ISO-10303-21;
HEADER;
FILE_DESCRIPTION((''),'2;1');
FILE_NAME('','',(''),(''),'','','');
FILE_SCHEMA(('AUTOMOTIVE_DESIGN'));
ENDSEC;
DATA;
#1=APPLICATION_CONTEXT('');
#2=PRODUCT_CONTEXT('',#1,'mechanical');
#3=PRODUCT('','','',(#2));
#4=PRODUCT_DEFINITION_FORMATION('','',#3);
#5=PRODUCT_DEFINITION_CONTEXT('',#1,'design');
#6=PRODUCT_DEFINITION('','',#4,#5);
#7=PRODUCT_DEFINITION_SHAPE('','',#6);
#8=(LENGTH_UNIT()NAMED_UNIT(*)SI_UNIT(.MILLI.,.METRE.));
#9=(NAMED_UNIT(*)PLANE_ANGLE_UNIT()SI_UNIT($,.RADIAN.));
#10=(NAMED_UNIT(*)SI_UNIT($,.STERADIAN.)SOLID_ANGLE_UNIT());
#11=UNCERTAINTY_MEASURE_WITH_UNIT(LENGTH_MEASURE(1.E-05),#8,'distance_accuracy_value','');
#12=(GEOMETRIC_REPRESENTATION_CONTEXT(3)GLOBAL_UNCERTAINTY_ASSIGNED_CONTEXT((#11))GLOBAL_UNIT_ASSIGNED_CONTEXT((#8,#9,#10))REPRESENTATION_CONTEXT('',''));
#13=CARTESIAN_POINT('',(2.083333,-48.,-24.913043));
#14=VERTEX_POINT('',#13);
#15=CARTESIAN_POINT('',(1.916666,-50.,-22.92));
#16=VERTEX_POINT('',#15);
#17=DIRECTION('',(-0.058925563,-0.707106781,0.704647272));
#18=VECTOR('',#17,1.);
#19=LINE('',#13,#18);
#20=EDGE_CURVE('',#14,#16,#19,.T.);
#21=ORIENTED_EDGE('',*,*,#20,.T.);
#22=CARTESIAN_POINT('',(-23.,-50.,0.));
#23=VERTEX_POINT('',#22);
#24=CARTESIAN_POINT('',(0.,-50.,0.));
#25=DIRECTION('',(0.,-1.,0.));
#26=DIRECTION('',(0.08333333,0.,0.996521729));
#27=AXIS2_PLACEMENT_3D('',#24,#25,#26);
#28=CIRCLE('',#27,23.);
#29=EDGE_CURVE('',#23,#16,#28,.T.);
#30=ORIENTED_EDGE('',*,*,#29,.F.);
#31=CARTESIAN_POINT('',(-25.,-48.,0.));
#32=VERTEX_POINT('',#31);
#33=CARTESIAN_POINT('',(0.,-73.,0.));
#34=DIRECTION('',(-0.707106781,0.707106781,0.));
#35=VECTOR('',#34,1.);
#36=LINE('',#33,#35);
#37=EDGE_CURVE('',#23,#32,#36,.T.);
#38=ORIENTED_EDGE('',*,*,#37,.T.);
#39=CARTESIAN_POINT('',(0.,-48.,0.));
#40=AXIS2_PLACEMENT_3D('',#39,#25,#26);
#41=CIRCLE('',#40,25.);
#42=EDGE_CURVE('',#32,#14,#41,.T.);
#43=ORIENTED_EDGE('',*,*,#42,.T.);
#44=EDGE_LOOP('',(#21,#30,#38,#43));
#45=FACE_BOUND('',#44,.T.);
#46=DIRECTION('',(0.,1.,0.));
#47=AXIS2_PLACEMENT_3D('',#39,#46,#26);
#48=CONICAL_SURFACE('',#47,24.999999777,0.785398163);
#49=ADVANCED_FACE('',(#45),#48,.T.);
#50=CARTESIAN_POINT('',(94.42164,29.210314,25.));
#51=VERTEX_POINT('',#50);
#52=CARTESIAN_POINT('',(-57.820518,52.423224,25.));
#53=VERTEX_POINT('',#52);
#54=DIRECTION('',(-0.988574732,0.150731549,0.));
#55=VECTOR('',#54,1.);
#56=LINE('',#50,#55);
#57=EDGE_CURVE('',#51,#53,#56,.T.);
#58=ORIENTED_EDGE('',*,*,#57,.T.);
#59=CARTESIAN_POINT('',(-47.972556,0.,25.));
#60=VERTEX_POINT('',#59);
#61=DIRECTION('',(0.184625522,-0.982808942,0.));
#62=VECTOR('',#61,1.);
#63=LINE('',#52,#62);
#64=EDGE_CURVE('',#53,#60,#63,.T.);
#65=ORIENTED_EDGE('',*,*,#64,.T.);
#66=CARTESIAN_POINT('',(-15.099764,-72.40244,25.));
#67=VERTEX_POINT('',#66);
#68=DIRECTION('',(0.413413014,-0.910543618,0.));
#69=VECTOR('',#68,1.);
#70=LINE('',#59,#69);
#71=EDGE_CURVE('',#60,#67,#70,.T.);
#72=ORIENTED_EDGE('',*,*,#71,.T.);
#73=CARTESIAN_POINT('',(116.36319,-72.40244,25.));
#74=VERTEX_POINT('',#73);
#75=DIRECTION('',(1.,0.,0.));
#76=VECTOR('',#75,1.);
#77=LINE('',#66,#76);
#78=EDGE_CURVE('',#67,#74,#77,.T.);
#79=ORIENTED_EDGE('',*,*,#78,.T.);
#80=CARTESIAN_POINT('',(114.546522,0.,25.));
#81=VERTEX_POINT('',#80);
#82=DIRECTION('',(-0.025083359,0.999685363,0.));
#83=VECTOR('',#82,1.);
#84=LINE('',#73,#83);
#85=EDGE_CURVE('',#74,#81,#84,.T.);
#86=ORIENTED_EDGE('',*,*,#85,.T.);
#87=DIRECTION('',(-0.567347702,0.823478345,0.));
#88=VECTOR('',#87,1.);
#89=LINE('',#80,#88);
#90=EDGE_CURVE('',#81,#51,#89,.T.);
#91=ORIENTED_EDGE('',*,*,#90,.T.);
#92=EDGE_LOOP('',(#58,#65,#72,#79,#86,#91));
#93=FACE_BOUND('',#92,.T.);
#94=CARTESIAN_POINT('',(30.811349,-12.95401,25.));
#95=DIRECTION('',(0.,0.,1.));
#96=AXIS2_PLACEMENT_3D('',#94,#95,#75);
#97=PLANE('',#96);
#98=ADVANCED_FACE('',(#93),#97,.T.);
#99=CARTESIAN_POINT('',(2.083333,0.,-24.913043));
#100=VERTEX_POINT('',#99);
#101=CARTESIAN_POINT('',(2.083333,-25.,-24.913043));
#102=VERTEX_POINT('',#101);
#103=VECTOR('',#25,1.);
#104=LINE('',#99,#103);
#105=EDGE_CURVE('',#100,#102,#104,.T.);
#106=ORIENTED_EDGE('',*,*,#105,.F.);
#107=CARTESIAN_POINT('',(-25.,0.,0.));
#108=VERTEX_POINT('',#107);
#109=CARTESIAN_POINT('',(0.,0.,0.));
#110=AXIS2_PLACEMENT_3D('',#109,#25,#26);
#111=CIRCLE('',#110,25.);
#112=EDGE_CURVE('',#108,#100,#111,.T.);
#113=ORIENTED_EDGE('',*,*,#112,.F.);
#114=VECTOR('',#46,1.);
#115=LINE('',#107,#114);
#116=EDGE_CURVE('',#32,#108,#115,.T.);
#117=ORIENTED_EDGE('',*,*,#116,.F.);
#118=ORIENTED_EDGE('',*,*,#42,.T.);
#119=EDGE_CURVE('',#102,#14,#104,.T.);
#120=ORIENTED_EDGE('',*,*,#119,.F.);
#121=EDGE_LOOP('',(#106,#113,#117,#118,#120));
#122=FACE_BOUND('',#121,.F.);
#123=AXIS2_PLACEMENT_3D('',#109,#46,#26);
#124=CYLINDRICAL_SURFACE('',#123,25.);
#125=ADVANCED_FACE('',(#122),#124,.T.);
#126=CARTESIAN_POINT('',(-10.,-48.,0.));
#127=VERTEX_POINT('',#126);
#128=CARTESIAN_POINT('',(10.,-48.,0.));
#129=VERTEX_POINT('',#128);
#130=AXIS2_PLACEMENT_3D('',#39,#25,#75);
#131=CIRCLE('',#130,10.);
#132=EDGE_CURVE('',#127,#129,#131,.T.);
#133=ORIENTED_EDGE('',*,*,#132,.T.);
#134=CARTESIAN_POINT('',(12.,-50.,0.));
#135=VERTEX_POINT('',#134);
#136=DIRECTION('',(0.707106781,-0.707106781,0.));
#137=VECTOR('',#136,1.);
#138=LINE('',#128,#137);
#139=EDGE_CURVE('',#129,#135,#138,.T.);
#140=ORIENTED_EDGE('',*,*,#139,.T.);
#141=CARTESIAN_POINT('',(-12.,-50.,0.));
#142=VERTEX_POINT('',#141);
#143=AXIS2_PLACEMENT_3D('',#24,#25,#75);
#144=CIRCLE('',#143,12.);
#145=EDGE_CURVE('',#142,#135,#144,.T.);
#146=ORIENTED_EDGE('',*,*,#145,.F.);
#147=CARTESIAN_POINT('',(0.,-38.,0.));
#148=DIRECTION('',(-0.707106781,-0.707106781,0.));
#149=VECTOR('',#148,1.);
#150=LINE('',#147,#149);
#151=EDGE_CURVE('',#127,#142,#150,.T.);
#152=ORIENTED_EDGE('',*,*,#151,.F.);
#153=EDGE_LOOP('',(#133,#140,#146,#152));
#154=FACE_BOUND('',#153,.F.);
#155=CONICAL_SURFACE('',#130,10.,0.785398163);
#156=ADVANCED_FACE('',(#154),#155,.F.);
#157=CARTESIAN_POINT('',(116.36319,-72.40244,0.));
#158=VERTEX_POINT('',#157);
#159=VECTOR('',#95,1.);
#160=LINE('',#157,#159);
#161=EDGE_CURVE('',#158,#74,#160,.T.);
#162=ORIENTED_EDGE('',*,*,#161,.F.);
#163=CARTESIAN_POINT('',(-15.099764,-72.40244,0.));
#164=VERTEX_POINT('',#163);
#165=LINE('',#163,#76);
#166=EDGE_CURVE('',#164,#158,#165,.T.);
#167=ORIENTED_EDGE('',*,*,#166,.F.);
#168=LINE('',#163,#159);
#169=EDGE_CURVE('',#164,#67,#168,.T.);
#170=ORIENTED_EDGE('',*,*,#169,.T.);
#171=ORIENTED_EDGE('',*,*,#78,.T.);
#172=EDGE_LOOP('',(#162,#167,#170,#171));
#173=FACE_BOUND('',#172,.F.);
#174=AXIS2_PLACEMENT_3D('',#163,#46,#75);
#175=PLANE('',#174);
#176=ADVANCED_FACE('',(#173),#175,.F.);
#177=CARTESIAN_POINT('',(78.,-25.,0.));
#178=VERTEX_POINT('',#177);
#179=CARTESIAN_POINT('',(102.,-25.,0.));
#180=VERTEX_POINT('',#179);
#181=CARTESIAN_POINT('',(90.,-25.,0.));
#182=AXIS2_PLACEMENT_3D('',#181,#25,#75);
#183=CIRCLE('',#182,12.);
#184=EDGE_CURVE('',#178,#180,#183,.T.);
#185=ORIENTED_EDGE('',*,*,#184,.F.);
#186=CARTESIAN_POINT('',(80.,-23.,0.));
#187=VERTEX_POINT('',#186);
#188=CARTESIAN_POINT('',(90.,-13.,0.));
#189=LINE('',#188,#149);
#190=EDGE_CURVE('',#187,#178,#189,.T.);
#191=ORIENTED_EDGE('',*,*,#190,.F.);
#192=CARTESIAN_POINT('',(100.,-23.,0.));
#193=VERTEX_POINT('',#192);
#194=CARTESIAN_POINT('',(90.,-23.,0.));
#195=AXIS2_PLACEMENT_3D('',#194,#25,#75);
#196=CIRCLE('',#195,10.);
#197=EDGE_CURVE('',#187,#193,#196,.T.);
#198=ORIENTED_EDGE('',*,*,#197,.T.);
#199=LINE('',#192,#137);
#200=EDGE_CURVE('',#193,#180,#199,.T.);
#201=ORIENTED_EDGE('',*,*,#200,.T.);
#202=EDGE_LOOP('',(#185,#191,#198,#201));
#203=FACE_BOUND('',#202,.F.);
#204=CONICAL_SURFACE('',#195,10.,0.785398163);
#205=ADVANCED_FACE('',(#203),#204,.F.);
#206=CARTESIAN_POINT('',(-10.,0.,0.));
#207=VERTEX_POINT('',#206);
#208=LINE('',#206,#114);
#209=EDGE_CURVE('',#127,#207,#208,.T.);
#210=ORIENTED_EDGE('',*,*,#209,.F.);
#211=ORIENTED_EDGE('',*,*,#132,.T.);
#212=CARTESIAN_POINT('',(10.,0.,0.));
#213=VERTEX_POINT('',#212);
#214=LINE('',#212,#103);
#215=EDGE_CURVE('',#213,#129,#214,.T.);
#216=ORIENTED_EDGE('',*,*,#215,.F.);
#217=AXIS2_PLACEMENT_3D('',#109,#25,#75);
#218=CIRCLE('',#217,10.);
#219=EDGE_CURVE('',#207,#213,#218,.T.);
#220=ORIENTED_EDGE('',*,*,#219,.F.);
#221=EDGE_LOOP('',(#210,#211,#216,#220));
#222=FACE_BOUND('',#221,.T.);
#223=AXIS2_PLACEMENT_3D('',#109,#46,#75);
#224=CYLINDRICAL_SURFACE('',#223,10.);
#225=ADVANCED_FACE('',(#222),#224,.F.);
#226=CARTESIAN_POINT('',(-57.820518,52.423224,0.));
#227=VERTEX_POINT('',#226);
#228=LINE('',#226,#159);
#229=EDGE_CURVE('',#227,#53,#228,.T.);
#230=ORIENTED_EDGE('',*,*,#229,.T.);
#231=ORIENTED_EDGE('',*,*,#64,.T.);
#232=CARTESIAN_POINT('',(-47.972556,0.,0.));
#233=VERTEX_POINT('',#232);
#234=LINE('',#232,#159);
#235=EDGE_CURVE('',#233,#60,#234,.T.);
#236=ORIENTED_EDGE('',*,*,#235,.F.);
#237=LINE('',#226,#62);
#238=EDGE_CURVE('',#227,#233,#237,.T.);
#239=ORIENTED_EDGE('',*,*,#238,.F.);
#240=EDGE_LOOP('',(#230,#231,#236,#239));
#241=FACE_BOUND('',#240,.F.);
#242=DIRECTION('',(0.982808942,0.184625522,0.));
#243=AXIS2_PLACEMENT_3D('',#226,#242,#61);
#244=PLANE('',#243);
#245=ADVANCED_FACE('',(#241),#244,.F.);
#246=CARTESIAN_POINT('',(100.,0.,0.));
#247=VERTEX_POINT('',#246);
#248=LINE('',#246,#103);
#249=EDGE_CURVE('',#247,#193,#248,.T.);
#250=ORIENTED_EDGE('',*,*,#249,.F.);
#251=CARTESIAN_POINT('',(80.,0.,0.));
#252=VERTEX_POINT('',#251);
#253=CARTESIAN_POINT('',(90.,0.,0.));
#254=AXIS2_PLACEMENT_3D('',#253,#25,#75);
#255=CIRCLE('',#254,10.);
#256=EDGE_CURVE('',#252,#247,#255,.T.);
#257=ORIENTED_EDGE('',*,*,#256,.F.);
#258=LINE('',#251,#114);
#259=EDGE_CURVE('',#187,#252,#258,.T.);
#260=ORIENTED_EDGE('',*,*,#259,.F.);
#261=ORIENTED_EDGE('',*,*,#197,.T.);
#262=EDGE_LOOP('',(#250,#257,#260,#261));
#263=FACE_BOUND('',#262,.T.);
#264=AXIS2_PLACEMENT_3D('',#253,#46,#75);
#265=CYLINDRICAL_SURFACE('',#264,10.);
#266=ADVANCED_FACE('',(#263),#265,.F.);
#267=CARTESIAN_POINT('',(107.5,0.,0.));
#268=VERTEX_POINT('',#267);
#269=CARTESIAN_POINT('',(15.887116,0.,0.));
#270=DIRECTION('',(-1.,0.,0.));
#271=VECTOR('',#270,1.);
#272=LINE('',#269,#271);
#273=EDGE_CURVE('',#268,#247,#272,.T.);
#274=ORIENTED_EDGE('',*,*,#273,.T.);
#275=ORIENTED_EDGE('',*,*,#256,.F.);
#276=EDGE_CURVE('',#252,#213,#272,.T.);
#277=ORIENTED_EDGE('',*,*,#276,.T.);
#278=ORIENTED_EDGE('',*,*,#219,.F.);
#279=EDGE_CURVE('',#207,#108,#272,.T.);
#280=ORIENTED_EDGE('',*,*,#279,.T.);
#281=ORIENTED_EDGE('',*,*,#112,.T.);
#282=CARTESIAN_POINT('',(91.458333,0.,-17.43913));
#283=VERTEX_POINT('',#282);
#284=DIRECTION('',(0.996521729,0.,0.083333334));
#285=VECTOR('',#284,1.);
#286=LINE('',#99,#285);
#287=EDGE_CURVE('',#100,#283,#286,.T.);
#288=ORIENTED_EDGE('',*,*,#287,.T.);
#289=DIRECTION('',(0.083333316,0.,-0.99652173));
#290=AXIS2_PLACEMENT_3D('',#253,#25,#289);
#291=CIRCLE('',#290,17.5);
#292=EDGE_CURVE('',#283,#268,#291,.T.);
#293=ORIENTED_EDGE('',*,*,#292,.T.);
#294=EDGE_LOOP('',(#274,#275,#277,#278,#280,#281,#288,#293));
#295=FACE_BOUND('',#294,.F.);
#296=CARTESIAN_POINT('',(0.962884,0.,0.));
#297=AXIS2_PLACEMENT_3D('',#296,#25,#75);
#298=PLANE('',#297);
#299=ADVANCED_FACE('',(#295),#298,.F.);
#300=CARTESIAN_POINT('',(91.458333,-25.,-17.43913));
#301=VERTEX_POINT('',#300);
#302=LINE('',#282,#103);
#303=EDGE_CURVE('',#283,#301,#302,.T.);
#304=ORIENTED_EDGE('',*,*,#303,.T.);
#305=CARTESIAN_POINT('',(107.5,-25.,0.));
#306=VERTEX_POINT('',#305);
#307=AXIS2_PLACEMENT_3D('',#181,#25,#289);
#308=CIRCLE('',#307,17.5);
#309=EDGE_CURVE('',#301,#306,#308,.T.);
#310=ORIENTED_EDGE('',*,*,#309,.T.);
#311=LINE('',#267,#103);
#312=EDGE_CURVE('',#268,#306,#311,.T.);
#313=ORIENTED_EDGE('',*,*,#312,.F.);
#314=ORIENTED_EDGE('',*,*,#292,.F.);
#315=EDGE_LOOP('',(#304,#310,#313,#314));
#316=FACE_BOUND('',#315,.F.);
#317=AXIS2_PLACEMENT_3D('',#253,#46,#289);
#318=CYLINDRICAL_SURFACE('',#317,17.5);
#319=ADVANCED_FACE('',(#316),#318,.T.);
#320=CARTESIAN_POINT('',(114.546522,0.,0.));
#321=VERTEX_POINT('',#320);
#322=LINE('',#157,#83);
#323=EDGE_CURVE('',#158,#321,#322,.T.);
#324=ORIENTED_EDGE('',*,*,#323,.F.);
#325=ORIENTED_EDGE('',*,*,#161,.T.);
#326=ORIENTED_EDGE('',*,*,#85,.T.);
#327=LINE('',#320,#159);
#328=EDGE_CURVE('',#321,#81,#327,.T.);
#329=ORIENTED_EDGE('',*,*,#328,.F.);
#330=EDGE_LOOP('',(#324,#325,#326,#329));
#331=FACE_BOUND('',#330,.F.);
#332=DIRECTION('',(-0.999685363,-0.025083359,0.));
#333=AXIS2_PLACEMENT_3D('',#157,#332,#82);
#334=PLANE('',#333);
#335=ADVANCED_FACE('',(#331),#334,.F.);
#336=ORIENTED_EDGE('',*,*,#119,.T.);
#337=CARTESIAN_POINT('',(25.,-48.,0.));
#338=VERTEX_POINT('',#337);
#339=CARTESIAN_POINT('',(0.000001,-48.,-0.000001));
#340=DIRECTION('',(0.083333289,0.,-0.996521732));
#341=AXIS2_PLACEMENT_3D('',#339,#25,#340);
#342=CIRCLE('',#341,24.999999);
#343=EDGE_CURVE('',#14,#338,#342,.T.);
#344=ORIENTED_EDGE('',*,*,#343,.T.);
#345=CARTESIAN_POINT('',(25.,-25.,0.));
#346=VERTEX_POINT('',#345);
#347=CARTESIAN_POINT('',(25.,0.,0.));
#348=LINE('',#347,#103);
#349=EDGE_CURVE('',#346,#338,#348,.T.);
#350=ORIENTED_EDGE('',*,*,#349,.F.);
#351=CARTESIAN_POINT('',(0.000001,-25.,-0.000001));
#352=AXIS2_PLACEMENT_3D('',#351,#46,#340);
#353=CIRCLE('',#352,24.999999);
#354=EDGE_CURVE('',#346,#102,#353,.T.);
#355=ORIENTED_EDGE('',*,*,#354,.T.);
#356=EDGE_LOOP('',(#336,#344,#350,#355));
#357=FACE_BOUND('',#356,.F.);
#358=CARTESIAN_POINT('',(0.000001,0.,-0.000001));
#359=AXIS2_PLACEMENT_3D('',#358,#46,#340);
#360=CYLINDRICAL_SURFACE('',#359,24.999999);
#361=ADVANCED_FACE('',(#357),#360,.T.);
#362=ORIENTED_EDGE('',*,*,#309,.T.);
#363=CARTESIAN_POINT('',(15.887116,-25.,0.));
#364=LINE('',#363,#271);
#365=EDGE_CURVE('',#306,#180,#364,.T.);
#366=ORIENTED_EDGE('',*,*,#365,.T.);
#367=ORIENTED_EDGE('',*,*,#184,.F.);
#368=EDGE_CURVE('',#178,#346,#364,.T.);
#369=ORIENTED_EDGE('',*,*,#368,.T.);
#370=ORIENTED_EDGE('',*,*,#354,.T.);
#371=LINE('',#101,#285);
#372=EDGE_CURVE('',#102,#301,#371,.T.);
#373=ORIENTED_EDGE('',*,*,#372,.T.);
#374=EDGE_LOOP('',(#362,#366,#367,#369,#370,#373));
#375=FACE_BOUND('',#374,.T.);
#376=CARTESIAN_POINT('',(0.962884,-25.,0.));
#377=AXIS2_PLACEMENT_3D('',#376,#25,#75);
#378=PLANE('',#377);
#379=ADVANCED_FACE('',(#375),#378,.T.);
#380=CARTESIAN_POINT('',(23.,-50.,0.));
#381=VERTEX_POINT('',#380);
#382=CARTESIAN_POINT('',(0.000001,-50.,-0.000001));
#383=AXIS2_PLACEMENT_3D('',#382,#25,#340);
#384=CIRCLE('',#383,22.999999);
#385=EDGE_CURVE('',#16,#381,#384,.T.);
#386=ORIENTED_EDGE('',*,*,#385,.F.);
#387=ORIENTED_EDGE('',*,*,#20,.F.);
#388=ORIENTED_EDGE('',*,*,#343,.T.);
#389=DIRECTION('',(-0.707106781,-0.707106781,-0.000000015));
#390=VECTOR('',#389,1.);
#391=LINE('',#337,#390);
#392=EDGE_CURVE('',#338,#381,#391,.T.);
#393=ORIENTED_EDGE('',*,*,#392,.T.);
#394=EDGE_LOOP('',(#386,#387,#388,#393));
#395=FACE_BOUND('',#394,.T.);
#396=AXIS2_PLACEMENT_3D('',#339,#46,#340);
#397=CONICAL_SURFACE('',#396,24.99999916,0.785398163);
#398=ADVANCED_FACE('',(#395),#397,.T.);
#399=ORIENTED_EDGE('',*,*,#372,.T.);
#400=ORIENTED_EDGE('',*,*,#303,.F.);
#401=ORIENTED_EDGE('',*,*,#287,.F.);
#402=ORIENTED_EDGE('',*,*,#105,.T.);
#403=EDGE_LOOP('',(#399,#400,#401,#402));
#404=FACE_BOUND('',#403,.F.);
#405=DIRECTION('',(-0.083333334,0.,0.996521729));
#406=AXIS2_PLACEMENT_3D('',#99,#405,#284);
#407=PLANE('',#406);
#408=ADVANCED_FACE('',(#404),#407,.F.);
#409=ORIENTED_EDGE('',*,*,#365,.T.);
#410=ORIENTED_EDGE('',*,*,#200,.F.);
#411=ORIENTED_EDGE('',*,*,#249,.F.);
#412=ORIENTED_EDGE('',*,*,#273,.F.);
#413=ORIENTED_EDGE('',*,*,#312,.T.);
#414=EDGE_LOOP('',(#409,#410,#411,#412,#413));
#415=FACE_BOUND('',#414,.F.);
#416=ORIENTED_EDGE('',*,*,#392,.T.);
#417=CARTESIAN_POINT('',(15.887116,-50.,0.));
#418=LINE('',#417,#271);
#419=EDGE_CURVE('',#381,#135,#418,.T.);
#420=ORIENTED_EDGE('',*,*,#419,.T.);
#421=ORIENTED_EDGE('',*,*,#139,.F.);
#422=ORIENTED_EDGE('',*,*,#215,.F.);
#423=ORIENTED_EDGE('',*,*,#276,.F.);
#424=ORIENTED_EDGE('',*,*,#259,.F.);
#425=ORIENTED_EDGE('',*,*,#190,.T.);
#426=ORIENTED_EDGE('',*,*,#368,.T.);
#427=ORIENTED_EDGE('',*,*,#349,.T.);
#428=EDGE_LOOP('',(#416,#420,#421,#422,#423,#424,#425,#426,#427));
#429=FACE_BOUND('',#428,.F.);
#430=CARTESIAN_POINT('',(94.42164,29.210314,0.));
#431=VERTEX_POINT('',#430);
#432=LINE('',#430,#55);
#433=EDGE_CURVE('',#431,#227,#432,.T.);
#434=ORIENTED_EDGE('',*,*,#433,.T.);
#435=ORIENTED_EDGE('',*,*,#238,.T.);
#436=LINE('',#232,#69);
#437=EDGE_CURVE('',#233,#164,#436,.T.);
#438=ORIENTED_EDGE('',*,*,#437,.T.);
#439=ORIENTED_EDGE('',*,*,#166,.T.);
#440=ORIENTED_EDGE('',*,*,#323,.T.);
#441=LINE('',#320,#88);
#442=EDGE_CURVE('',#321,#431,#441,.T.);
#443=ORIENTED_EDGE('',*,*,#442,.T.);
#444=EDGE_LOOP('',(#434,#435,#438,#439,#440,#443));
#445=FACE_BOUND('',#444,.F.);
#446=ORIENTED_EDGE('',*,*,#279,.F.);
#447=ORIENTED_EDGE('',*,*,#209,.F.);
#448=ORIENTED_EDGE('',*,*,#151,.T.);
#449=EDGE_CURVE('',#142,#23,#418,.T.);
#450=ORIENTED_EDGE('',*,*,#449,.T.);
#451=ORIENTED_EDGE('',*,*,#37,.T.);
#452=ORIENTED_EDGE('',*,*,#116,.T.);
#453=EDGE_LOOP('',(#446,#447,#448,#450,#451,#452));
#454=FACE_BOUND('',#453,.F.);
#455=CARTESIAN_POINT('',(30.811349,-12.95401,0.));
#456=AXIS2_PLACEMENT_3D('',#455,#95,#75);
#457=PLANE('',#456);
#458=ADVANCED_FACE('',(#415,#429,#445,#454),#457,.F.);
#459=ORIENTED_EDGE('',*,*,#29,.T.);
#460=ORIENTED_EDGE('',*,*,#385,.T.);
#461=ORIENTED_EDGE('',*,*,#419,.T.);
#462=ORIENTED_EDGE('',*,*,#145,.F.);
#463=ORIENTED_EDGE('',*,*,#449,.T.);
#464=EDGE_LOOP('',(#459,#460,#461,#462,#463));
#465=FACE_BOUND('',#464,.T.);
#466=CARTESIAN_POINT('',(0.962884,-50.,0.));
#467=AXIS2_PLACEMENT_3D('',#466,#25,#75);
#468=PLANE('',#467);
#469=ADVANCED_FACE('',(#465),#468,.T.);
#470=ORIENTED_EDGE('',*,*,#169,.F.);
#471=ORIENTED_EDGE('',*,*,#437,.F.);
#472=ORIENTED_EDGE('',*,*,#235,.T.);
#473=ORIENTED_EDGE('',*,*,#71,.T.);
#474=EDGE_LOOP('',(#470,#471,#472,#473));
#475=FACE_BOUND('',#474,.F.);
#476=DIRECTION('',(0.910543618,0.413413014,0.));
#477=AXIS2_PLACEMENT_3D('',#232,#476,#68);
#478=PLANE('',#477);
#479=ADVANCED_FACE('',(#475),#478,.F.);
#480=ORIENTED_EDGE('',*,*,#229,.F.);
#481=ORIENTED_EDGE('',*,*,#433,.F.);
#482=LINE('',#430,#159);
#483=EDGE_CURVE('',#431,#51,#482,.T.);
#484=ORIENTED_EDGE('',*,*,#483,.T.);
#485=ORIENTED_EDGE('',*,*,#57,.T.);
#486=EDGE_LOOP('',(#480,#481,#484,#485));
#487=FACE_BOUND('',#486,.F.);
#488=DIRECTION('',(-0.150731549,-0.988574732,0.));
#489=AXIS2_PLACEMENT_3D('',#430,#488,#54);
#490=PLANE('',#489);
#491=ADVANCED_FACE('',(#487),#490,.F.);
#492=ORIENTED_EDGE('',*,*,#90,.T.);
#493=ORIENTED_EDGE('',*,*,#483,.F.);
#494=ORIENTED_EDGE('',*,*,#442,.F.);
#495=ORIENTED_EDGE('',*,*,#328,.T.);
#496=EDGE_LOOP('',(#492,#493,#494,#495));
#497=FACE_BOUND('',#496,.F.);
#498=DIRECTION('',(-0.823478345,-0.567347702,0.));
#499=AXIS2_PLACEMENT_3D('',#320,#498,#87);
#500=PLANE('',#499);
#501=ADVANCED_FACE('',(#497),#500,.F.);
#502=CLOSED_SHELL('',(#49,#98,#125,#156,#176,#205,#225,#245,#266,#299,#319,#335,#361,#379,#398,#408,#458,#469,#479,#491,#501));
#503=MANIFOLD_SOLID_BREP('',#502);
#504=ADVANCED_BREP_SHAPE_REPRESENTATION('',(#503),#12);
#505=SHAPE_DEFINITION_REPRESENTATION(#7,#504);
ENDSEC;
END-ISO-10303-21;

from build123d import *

# Parameters (mm, degrees)
F0_R     = 10
F1_DEPTH = 25
F2_DEPTH = 50
F3_SIZE  = 2
F5_DEPTH = 25


with BuildPart() as f1:
    # F0 (on Front) → F1 (new body)
    with BuildSketch(Plane.XZ):
        with BuildLine():
            ThreePointArc((2.083333, -24.913043), (18.399502, -16.92508), (25, 0))
            ThreePointArc((25, 0), (18.399502, 16.92508), (2.083333, 24.913043))
            ThreePointArc((2.083333, 24.913043), (-25, 0), (2.083333, -24.913043))
        make_face()
        Circle(F0_R, mode=Mode.SUBTRACT)
        with BuildLine():
            ThreePointArc((2.083333, 24.913043), (18.399502, 16.92508), (25, 0))
            ThreePointArc((25, 0), (18.399502, -16.92508), (2.083333, -24.913043))
            Line((2.083333, -24.913043), (91.458333, -17.43913))
            ThreePointArc((91.458333, -17.43913), (72.5, 0), (91.458333, 17.43913))
            Line((91.458333, 17.43913), (2.083333, 24.913043))
        make_face()
        with BuildLine():
            ThreePointArc((107.5, 0), (102.879651, 11.847556), (91.458333, 17.43913))
            ThreePointArc((91.458333, 17.43913), (72.5, 0), (91.458333, -17.43913))
            ThreePointArc((91.458333, -17.43913), (102.879651, -11.847556), (107.5, 0))
        make_face()
        with Locations((90, 0)):
            Circle(F0_R, mode=Mode.SUBTRACT)
    extrude(amount=F1_DEPTH)

    # F0 (on Front) → F2 (join)
    with BuildSketch(Plane.XZ):
        with BuildLine():
            ThreePointArc((2.083333, -24.913043), (18.399502, -16.92508), (25, 0))
            ThreePointArc((25, 0), (18.399502, 16.92508), (2.083333, 24.913043))
            ThreePointArc((2.083333, 24.913043), (-25, 0), (2.083333, -24.913043))
        make_face()
        Circle(F0_R, mode=Mode.SUBTRACT)
    extrude(amount=F2_DEPTH)

    # F3
    f3_edges = [f1.edges().sort_by_distance(p)[0] for p in [
        (-2.083333, -50, 24.913043),
        (-10, -50, 0),
        (80, -25, 0),
    ]]
    chamfer(f3_edges, length=F3_SIZE)

    # F4 (on Top) → F5 (join)
    with BuildSketch(Plane.XY):
        Polygon((116.36319, -72.40244), (114.546522, 0), (94.42164, 29.210314), (-57.820518, 52.423224), (-47.972556, 0), (-15.099764, -72.40244), align=None)
    extrude(amount=F5_DEPTH)


solid = f1.part
